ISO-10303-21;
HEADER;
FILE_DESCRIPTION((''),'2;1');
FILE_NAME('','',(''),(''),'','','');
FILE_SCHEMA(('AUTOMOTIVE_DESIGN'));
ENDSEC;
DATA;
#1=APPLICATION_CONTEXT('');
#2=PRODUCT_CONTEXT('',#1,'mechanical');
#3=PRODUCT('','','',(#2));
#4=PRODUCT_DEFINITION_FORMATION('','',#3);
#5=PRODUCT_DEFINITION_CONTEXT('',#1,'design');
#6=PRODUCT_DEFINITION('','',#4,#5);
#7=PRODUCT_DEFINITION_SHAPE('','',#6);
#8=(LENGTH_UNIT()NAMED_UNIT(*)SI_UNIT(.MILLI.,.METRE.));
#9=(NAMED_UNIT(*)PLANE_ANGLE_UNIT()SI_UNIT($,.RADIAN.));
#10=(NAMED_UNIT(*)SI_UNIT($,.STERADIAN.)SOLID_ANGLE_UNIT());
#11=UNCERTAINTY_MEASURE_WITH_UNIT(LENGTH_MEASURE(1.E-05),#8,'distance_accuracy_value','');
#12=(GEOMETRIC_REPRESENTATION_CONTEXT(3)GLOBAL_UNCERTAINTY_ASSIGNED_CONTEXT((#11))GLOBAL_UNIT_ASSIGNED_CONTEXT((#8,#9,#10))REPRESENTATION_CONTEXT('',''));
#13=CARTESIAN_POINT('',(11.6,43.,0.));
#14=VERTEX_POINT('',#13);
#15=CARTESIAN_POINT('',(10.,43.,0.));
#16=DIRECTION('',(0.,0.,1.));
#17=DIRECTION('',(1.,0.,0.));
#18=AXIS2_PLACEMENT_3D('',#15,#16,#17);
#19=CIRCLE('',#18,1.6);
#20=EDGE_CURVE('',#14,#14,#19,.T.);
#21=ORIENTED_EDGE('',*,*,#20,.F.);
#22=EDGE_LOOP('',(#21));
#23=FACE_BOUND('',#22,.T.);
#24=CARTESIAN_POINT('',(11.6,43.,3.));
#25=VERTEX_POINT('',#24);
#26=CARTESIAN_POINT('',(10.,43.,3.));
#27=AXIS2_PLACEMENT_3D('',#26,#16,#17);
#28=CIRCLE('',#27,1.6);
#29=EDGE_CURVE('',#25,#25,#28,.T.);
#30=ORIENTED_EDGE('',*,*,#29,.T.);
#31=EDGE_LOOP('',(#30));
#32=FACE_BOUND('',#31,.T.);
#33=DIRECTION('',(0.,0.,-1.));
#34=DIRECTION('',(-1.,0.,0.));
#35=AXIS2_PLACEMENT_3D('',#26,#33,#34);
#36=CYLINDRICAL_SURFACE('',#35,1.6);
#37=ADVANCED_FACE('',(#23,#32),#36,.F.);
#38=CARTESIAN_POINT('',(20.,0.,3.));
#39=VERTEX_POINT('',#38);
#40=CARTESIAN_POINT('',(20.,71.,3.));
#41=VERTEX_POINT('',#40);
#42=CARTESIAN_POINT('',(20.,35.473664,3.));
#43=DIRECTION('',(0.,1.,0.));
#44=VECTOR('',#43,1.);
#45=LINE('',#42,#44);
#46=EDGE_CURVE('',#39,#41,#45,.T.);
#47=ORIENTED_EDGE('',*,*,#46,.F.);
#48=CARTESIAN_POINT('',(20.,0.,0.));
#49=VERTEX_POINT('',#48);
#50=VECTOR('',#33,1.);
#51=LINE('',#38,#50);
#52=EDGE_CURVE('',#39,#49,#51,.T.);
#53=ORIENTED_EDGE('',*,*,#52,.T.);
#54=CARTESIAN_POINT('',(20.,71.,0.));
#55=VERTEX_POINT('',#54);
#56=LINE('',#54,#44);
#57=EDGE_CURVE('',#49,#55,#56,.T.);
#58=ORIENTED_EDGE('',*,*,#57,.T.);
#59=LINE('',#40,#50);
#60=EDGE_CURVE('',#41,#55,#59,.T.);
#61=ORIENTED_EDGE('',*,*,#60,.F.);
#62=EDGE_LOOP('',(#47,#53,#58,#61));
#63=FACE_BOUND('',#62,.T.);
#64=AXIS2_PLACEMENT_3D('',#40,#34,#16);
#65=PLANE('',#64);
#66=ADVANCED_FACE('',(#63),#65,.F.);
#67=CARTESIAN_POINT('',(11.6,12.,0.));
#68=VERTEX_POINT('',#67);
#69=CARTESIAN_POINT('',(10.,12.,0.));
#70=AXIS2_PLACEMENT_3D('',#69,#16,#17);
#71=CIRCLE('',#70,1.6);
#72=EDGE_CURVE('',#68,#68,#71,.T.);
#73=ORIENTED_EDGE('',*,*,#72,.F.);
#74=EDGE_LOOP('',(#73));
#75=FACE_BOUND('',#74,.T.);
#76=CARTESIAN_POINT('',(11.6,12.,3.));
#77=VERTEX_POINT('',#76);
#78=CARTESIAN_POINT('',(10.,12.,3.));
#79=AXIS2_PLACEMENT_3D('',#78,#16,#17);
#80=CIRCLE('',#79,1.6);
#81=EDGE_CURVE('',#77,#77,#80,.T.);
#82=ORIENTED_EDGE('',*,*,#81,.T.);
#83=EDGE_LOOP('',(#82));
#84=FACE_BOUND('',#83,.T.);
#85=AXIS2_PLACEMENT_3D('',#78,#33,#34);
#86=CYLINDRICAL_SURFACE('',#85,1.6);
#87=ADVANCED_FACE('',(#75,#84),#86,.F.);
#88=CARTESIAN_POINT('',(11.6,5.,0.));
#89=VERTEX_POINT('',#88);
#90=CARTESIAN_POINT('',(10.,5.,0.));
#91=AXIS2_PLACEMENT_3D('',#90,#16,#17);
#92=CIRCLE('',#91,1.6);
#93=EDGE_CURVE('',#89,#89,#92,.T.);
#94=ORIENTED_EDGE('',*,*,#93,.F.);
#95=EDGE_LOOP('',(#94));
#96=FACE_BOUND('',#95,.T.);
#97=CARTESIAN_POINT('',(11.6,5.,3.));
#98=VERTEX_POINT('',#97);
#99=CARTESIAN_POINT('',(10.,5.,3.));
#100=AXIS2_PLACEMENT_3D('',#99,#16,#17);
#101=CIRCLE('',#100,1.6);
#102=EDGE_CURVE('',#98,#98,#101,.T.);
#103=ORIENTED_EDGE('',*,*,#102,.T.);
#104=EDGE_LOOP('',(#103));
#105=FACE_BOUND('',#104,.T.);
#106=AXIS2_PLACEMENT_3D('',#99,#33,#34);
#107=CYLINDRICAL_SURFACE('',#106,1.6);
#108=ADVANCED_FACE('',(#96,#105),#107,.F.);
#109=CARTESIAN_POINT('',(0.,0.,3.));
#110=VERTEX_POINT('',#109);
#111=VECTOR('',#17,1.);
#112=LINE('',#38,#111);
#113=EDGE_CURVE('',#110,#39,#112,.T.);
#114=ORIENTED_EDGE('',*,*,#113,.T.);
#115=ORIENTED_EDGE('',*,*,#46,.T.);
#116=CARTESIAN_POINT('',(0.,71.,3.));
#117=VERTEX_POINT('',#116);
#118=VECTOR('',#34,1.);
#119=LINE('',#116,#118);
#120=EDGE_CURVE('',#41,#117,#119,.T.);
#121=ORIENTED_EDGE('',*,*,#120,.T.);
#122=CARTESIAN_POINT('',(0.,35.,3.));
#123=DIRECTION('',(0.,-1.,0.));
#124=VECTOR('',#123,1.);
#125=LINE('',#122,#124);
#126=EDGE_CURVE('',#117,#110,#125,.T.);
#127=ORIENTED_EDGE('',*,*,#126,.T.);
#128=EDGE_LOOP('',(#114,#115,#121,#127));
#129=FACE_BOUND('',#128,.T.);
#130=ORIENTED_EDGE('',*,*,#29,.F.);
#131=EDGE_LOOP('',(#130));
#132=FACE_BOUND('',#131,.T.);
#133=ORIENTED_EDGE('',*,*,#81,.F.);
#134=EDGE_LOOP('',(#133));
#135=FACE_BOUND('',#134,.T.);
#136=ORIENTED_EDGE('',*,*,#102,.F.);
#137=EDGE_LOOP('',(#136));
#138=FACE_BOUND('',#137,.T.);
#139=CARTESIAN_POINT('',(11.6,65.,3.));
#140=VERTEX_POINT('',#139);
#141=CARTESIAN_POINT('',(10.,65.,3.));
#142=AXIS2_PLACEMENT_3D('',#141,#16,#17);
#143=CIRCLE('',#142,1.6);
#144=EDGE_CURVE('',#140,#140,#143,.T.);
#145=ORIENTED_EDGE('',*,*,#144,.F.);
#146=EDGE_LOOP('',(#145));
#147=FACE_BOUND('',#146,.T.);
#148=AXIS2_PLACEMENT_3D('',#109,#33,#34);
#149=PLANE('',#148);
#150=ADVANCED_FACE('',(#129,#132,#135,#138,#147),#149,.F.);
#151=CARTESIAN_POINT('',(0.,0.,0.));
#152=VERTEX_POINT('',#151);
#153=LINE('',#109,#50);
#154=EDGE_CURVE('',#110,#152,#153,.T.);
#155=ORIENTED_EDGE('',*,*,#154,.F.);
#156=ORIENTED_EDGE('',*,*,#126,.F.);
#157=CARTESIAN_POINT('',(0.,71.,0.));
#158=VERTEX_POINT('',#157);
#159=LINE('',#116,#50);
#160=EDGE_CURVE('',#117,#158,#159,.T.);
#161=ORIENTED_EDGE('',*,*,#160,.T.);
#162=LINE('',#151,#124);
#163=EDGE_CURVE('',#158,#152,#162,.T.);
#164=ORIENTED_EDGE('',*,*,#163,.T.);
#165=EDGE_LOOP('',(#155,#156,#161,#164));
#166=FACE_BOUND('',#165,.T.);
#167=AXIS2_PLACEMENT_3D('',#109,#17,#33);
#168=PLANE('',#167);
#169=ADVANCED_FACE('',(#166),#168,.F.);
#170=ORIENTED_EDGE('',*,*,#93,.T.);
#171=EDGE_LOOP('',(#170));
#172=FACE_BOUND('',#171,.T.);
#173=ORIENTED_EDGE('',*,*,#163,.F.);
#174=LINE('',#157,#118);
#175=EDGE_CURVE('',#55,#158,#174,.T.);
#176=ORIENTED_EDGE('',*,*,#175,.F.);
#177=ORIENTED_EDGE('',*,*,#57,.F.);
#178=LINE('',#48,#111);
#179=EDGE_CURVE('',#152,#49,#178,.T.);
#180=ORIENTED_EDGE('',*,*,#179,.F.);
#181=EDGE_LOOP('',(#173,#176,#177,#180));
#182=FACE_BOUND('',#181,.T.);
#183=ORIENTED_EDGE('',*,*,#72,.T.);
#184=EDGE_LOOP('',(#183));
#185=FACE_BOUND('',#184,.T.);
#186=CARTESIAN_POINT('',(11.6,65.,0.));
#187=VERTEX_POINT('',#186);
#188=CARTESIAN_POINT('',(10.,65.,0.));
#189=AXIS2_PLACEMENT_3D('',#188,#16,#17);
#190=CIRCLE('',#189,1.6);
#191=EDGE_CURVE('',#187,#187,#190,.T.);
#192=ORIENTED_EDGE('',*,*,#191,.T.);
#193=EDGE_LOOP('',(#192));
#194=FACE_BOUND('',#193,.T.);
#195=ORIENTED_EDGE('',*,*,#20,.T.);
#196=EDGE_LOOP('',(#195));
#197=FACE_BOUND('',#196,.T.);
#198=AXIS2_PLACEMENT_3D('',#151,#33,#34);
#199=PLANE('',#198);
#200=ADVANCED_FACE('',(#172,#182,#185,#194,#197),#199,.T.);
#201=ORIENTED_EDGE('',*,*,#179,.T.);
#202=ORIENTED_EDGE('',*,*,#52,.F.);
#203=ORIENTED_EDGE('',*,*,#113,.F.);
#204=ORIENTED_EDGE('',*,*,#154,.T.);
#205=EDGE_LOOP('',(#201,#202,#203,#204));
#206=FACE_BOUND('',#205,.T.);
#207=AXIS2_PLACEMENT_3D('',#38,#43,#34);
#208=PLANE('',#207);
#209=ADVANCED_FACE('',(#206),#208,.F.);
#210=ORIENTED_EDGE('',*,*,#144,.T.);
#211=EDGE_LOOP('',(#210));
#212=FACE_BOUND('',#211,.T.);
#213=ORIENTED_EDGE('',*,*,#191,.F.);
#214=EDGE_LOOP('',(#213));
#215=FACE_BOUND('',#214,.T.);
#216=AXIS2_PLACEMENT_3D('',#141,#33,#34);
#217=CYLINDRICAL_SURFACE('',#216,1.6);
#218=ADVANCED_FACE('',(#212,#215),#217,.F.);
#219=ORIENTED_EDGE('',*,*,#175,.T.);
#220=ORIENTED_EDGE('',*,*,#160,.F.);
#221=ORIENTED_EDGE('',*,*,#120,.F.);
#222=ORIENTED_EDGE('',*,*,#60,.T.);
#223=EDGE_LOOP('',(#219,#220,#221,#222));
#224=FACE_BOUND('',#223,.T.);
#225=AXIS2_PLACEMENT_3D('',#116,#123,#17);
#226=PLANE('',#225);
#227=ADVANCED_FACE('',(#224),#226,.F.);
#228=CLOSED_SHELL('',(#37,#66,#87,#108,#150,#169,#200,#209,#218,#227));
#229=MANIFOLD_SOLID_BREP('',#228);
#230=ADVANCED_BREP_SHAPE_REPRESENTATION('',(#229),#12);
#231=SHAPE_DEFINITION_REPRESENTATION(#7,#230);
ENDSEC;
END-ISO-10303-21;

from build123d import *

# Parameters (mm, degrees)
SKETCH_1_R      = 1.6
EXTRUDE_1_DEPTH = 3


with BuildPart() as part:
    # 草图1 → 凸台-拉伸1 (new body)
    with BuildSketch(Plane.XY):
        Polygon((0, 0), (0, 35), (0, 71), (20, 71), (20, 35.473663945), (20, 0), align=None)
        with Locations((10, 65)):
            Circle(SKETCH_1_R, mode=Mode.SUBTRACT)
        with Locations((10, 43)):
            Circle(SKETCH_1_R, mode=Mode.SUBTRACT)
        with Locations((10, 12)):
            Circle(SKETCH_1_R, mode=Mode.SUBTRACT)
        with Locations((10, 5)):
            Circle(SKETCH_1_R, mode=Mode.SUBTRACT)
    extrude(amount=EXTRUDE_1_DEPTH)


solid = part.part
